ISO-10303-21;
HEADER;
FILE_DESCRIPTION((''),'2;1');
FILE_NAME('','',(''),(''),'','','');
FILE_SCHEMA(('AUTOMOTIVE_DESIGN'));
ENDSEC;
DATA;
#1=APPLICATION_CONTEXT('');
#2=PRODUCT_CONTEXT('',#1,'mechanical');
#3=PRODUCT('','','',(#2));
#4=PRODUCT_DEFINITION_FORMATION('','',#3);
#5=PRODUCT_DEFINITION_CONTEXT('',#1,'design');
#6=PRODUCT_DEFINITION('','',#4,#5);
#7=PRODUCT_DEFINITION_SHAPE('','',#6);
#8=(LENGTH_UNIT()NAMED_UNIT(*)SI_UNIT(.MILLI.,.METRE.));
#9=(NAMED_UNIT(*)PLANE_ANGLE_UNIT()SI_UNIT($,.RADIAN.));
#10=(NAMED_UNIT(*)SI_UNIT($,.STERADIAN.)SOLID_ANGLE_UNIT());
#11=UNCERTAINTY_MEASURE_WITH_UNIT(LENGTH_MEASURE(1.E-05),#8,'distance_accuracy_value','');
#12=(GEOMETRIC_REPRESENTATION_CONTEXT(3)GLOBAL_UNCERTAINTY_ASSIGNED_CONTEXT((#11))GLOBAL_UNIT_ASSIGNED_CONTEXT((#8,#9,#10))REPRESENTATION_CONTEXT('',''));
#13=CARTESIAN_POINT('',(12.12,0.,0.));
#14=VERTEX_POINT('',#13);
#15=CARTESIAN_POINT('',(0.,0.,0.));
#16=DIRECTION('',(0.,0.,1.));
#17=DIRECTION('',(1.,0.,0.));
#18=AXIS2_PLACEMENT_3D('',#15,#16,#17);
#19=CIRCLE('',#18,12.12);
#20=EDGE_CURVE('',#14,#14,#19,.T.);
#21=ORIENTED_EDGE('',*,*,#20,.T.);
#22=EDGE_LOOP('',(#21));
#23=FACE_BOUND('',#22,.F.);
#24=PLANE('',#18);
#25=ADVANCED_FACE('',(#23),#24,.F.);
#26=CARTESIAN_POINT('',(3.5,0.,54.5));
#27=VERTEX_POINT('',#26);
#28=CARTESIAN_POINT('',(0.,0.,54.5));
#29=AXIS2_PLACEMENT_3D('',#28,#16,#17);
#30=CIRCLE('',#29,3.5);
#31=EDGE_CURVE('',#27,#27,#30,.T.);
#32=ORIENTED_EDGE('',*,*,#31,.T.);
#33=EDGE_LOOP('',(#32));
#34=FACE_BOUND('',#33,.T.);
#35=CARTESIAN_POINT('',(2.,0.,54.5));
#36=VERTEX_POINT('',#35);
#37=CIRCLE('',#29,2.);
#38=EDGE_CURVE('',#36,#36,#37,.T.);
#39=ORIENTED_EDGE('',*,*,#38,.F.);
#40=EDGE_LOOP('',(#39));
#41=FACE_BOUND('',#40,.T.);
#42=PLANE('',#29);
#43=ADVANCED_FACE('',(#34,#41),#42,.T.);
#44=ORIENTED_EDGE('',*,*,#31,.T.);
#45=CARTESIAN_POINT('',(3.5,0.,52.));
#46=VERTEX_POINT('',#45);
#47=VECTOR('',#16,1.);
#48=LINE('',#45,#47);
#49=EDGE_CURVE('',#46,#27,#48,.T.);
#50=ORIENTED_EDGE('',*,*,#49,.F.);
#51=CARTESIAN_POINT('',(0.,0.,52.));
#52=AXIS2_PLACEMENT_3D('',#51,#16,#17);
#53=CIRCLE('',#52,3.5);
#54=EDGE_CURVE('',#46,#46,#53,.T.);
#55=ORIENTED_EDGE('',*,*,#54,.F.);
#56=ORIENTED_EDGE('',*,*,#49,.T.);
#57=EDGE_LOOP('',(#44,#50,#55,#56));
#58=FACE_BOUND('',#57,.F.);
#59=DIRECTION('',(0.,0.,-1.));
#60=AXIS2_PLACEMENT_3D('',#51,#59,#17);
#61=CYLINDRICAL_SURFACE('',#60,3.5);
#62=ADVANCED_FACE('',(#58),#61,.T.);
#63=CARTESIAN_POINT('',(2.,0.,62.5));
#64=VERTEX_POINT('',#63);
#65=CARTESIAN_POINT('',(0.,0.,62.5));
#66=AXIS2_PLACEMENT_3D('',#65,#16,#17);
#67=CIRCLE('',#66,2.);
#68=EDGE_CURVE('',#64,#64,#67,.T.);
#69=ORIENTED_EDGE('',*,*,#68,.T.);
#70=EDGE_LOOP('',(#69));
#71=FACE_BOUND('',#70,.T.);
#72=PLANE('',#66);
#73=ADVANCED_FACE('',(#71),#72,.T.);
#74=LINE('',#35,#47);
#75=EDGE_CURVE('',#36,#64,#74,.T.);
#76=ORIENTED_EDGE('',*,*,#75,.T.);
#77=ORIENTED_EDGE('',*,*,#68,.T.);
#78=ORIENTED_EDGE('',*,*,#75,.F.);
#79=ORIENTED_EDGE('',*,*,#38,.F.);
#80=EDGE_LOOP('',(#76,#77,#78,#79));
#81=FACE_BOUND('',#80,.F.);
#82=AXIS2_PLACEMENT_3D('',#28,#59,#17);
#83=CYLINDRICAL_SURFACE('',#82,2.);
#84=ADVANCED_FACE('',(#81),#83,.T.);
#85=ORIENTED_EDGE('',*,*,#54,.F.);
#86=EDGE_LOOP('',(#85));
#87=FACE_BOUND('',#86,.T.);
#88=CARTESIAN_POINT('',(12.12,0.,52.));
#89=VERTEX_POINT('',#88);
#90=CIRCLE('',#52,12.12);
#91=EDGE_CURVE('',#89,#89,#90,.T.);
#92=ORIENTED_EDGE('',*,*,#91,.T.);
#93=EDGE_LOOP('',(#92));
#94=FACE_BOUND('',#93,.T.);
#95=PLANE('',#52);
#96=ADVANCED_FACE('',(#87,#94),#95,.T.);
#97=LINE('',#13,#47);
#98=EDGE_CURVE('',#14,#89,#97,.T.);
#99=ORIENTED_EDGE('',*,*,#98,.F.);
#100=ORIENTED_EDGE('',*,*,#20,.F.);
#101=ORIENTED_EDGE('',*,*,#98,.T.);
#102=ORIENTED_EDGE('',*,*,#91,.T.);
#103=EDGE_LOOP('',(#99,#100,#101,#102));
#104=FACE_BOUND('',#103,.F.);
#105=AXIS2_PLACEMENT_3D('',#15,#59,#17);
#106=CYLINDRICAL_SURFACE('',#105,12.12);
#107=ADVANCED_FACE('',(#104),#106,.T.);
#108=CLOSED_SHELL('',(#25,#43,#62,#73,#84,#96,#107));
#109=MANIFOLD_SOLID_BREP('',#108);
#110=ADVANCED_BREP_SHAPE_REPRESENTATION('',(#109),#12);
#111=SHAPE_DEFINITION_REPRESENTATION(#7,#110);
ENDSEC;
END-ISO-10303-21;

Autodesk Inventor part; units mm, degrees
ref_plane "YZ Plane" through (0, 0, 0) normal (1, 0, 0) x (0, 1, 0)
ref_plane "XZ Plane" through (0, 0, 0) normal (0, 1, 0) x (-1, 0, 0)
ref_plane "XY Plane" through (0, 0, 0) normal (0, 0, 1) x (1, 0, 0)
sketch "Sketch1" plane through (0, 0, 0) normal (0, 0, 1) x (1, 0, 0)
  circle A0 centre (0, 0) radius 12.12
  dimension "d0" = 24.24
extrude "Extrusion1" add sketch "Sketch1" along normal blind 52
sketch "Sketch2" plane through (0, 0, 52) normal (0, 0, 1) x (1, 0, 0)
  circle A0 centre (0, 0) radius 3.5
  dimension "d3" = 7
extrude "Extrusion2" add sketch "Sketch2" along normal blind 2.5
sketch "Sketch3" plane through (0, 0, 54.5) normal (0, 0, 1) x (1, 0, 0)
  circle A0 centre (0, 0) radius 3.5 projected
  circle A1 centre (0, 0) radius 2
  dimension "d6" = 4
extrude "Extrusion3" add sketch "Sketch3" along normal blind 8 contours A1
properties part number "Motorreductor"
